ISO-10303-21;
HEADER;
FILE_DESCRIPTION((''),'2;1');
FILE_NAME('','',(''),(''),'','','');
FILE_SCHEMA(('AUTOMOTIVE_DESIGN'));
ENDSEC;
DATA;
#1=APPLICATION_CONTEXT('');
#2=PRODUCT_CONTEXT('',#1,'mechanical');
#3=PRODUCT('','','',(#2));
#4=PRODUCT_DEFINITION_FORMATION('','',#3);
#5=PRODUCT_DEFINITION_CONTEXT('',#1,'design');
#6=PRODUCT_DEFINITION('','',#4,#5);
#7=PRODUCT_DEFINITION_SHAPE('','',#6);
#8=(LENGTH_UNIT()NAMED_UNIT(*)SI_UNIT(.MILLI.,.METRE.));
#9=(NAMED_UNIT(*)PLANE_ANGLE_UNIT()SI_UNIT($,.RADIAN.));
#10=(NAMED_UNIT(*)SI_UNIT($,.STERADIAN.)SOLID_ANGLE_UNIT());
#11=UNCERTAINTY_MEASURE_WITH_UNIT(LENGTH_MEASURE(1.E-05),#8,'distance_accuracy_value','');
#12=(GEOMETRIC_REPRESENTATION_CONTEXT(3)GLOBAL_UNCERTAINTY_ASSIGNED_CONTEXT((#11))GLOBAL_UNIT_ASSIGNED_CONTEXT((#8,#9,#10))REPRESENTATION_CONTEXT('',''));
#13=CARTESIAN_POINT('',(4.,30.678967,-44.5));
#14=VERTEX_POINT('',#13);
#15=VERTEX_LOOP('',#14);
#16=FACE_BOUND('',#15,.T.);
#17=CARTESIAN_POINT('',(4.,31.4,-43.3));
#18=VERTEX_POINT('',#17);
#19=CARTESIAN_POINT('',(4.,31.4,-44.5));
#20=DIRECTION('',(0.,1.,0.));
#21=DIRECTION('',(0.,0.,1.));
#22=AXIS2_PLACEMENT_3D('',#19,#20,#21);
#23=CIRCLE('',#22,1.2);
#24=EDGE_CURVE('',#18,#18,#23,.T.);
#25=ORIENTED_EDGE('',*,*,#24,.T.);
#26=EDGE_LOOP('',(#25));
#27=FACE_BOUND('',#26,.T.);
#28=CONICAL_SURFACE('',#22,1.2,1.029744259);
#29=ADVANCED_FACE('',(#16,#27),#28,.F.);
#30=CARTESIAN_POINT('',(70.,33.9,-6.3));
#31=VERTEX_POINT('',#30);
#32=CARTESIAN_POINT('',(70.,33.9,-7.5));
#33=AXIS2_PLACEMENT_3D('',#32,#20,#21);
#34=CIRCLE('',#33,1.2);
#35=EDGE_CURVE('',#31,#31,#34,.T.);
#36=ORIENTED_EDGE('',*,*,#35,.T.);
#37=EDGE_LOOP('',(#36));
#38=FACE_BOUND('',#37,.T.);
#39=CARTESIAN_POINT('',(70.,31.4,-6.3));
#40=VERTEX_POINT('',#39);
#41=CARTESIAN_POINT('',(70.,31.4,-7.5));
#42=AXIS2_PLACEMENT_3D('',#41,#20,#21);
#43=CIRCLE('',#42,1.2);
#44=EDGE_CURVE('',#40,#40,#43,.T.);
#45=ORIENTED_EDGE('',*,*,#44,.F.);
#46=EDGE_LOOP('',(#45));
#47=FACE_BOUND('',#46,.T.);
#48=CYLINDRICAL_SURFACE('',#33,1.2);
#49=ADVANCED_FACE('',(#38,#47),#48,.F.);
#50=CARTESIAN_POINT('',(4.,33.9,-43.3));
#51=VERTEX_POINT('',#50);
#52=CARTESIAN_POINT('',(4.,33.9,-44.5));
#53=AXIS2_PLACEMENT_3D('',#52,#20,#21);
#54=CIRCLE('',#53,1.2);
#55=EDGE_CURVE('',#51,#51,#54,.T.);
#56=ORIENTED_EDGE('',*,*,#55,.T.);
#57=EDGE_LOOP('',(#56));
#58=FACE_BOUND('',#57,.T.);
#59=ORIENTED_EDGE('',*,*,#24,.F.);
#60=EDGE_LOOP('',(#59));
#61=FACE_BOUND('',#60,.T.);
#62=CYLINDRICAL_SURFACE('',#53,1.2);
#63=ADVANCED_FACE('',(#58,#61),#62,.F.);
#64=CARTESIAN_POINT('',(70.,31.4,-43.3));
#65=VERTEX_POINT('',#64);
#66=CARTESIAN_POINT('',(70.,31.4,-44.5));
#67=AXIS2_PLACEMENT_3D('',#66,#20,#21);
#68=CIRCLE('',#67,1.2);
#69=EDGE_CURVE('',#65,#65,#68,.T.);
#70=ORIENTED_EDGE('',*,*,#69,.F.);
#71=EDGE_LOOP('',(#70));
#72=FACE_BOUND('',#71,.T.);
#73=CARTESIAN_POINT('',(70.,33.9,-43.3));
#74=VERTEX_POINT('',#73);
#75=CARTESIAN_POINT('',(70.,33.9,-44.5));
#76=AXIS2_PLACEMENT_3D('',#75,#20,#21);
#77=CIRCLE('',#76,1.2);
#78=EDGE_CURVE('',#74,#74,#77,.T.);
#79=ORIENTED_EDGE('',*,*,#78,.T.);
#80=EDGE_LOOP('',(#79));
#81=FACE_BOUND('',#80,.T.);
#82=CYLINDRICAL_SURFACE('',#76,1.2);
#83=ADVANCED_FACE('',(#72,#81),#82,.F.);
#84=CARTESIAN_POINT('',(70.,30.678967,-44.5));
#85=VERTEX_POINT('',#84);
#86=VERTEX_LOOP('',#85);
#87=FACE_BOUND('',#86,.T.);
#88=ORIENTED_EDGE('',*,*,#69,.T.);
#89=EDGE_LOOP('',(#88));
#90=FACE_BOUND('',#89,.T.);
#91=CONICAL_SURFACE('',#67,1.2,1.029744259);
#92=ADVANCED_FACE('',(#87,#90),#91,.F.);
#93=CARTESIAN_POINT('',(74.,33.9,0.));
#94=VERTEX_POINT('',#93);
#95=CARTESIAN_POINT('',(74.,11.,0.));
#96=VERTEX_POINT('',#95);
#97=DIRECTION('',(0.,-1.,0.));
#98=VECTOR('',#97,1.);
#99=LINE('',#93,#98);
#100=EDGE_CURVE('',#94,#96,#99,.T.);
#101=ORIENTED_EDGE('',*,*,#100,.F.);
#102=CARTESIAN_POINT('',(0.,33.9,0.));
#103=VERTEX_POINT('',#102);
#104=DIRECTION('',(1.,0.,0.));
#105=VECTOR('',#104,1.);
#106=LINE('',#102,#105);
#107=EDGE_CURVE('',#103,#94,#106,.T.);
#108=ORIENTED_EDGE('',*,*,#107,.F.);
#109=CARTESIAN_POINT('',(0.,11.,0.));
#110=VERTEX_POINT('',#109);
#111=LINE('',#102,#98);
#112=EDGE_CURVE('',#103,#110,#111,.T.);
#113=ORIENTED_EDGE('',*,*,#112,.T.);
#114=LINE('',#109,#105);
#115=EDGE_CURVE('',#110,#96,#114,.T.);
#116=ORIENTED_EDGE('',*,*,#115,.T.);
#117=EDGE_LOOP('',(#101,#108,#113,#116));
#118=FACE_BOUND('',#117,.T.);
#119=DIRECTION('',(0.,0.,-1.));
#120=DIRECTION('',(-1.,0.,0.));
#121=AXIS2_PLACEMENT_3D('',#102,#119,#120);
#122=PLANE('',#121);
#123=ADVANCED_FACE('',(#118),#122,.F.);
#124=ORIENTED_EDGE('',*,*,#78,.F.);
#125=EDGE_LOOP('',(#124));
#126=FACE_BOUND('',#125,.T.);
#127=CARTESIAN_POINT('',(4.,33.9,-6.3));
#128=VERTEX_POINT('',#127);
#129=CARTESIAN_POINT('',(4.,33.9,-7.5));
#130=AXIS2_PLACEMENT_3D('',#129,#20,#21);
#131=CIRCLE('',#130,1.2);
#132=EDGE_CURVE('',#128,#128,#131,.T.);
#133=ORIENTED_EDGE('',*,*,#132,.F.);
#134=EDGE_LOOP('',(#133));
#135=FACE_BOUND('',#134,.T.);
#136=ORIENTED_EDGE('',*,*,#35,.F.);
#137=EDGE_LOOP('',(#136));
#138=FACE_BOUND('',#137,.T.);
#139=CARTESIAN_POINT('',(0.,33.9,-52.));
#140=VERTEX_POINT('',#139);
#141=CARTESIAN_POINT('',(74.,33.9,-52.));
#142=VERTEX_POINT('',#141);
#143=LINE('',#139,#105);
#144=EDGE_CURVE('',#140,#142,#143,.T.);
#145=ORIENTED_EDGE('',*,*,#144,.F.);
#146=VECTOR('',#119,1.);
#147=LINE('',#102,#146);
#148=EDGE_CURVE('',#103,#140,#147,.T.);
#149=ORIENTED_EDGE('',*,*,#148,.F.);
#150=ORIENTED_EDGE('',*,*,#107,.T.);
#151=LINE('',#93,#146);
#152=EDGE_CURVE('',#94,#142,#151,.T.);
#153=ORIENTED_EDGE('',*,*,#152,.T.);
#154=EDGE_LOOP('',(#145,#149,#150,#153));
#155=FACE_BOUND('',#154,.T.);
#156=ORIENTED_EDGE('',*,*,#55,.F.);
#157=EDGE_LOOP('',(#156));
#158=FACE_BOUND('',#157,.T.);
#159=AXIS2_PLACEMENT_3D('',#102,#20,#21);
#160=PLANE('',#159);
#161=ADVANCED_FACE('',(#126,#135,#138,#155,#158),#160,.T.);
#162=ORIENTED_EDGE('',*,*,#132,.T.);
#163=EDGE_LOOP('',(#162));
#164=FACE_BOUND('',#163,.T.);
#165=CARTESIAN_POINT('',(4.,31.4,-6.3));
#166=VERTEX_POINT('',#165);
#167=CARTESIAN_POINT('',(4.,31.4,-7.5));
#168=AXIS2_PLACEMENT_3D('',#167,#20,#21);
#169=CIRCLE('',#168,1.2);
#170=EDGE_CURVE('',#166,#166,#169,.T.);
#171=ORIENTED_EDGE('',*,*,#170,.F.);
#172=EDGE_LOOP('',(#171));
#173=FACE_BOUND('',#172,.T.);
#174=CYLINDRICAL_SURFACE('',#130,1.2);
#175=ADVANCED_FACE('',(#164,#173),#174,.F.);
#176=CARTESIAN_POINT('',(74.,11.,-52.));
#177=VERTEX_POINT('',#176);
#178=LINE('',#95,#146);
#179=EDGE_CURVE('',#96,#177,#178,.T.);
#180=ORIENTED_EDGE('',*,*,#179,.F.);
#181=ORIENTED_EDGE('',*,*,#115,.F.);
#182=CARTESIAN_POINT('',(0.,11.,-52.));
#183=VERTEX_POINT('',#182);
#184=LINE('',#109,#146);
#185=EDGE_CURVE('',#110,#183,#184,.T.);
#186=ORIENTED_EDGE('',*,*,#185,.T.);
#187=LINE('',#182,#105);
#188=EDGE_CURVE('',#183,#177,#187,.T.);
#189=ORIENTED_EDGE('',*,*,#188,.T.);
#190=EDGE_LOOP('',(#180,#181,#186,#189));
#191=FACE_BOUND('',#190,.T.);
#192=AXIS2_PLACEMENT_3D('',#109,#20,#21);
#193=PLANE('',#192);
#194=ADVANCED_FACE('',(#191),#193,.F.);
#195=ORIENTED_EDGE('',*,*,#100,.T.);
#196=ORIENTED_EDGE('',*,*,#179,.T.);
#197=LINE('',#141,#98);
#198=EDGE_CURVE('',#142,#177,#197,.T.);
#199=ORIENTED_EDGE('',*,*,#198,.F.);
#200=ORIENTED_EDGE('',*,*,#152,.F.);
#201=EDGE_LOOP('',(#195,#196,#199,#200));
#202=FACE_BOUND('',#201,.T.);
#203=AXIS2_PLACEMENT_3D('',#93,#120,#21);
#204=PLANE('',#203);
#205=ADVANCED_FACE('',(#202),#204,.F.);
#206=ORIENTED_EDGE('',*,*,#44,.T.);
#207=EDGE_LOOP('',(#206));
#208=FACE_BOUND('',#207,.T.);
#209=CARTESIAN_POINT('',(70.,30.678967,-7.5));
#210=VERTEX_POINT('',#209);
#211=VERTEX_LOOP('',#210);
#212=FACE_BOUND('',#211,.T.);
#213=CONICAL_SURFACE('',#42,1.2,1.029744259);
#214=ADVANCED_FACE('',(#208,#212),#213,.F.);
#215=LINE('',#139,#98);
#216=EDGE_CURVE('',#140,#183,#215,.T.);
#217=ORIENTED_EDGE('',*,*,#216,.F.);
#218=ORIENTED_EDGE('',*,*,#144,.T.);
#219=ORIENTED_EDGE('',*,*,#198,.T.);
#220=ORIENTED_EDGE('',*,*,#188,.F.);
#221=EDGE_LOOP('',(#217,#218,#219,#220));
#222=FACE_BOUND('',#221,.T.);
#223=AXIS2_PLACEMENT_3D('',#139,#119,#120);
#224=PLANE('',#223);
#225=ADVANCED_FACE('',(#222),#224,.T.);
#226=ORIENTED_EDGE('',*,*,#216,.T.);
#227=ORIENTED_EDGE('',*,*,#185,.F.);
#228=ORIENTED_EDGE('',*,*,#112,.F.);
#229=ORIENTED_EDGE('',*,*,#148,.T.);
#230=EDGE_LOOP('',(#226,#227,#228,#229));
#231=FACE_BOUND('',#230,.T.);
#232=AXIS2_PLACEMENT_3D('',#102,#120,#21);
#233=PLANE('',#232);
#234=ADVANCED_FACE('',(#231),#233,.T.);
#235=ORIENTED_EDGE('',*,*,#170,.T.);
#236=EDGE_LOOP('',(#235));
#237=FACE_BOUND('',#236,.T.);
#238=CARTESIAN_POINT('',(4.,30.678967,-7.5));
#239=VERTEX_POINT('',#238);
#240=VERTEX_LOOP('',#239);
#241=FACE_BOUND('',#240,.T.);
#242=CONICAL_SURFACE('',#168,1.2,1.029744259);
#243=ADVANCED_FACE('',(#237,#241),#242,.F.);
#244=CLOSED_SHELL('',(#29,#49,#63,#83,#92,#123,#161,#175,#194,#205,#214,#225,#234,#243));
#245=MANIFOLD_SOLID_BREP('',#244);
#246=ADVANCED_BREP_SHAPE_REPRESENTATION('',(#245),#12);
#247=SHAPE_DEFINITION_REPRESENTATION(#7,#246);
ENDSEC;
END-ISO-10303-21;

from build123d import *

# Parameters (mm, degrees)
CROQUIS1_W                       = 74
CROQUIS1_H                       = 52
SALIENTE_EXTRUIR1_DEPTH          = 22.9
TALADRO_DE_MARGEN_PARA_M21_D     = 2.4
TALADRO_DE_MARGEN_PARA_M21_DEPTH = 2.5
TALADRO_DE_MARGEN_PARA_M21_TIP   = 0.721032743


with BuildPart() as part:
    # Croquis1 → Saliente-Extruir1 (new body)
    with BuildSketch(Plane(origin=(0, 11, 0), x_dir=(1, 0, 0), z_dir=(0, 1, 0))):
        with Locations((37, 26)):
            Rectangle(CROQUIS1_W, CROQUIS1_H)
    extrude(amount=SALIENTE_EXTRUIR1_DEPTH)

    # Taladro de margen para M21
    with Locations(Plane(origin=(0, 33.9, 0), x_dir=(1, 0, 0), z_dir=(0, 1, 0))):
        with Locations((4, 44.5), (70, 44.5), (70, 7.5), (4, 7.5)):
            Hole(TALADRO_DE_MARGEN_PARA_M21_D / 2, depth=TALADRO_DE_MARGEN_PARA_M21_DEPTH)
            with Locations((0, 0, -(TALADRO_DE_MARGEN_PARA_M21_DEPTH + TALADRO_DE_MARGEN_PARA_M21_TIP / 2))):  # 118° drill point
                Cone(0, TALADRO_DE_MARGEN_PARA_M21_D / 2, TALADRO_DE_MARGEN_PARA_M21_TIP, mode=Mode.SUBTRACT)


solid = part.part
